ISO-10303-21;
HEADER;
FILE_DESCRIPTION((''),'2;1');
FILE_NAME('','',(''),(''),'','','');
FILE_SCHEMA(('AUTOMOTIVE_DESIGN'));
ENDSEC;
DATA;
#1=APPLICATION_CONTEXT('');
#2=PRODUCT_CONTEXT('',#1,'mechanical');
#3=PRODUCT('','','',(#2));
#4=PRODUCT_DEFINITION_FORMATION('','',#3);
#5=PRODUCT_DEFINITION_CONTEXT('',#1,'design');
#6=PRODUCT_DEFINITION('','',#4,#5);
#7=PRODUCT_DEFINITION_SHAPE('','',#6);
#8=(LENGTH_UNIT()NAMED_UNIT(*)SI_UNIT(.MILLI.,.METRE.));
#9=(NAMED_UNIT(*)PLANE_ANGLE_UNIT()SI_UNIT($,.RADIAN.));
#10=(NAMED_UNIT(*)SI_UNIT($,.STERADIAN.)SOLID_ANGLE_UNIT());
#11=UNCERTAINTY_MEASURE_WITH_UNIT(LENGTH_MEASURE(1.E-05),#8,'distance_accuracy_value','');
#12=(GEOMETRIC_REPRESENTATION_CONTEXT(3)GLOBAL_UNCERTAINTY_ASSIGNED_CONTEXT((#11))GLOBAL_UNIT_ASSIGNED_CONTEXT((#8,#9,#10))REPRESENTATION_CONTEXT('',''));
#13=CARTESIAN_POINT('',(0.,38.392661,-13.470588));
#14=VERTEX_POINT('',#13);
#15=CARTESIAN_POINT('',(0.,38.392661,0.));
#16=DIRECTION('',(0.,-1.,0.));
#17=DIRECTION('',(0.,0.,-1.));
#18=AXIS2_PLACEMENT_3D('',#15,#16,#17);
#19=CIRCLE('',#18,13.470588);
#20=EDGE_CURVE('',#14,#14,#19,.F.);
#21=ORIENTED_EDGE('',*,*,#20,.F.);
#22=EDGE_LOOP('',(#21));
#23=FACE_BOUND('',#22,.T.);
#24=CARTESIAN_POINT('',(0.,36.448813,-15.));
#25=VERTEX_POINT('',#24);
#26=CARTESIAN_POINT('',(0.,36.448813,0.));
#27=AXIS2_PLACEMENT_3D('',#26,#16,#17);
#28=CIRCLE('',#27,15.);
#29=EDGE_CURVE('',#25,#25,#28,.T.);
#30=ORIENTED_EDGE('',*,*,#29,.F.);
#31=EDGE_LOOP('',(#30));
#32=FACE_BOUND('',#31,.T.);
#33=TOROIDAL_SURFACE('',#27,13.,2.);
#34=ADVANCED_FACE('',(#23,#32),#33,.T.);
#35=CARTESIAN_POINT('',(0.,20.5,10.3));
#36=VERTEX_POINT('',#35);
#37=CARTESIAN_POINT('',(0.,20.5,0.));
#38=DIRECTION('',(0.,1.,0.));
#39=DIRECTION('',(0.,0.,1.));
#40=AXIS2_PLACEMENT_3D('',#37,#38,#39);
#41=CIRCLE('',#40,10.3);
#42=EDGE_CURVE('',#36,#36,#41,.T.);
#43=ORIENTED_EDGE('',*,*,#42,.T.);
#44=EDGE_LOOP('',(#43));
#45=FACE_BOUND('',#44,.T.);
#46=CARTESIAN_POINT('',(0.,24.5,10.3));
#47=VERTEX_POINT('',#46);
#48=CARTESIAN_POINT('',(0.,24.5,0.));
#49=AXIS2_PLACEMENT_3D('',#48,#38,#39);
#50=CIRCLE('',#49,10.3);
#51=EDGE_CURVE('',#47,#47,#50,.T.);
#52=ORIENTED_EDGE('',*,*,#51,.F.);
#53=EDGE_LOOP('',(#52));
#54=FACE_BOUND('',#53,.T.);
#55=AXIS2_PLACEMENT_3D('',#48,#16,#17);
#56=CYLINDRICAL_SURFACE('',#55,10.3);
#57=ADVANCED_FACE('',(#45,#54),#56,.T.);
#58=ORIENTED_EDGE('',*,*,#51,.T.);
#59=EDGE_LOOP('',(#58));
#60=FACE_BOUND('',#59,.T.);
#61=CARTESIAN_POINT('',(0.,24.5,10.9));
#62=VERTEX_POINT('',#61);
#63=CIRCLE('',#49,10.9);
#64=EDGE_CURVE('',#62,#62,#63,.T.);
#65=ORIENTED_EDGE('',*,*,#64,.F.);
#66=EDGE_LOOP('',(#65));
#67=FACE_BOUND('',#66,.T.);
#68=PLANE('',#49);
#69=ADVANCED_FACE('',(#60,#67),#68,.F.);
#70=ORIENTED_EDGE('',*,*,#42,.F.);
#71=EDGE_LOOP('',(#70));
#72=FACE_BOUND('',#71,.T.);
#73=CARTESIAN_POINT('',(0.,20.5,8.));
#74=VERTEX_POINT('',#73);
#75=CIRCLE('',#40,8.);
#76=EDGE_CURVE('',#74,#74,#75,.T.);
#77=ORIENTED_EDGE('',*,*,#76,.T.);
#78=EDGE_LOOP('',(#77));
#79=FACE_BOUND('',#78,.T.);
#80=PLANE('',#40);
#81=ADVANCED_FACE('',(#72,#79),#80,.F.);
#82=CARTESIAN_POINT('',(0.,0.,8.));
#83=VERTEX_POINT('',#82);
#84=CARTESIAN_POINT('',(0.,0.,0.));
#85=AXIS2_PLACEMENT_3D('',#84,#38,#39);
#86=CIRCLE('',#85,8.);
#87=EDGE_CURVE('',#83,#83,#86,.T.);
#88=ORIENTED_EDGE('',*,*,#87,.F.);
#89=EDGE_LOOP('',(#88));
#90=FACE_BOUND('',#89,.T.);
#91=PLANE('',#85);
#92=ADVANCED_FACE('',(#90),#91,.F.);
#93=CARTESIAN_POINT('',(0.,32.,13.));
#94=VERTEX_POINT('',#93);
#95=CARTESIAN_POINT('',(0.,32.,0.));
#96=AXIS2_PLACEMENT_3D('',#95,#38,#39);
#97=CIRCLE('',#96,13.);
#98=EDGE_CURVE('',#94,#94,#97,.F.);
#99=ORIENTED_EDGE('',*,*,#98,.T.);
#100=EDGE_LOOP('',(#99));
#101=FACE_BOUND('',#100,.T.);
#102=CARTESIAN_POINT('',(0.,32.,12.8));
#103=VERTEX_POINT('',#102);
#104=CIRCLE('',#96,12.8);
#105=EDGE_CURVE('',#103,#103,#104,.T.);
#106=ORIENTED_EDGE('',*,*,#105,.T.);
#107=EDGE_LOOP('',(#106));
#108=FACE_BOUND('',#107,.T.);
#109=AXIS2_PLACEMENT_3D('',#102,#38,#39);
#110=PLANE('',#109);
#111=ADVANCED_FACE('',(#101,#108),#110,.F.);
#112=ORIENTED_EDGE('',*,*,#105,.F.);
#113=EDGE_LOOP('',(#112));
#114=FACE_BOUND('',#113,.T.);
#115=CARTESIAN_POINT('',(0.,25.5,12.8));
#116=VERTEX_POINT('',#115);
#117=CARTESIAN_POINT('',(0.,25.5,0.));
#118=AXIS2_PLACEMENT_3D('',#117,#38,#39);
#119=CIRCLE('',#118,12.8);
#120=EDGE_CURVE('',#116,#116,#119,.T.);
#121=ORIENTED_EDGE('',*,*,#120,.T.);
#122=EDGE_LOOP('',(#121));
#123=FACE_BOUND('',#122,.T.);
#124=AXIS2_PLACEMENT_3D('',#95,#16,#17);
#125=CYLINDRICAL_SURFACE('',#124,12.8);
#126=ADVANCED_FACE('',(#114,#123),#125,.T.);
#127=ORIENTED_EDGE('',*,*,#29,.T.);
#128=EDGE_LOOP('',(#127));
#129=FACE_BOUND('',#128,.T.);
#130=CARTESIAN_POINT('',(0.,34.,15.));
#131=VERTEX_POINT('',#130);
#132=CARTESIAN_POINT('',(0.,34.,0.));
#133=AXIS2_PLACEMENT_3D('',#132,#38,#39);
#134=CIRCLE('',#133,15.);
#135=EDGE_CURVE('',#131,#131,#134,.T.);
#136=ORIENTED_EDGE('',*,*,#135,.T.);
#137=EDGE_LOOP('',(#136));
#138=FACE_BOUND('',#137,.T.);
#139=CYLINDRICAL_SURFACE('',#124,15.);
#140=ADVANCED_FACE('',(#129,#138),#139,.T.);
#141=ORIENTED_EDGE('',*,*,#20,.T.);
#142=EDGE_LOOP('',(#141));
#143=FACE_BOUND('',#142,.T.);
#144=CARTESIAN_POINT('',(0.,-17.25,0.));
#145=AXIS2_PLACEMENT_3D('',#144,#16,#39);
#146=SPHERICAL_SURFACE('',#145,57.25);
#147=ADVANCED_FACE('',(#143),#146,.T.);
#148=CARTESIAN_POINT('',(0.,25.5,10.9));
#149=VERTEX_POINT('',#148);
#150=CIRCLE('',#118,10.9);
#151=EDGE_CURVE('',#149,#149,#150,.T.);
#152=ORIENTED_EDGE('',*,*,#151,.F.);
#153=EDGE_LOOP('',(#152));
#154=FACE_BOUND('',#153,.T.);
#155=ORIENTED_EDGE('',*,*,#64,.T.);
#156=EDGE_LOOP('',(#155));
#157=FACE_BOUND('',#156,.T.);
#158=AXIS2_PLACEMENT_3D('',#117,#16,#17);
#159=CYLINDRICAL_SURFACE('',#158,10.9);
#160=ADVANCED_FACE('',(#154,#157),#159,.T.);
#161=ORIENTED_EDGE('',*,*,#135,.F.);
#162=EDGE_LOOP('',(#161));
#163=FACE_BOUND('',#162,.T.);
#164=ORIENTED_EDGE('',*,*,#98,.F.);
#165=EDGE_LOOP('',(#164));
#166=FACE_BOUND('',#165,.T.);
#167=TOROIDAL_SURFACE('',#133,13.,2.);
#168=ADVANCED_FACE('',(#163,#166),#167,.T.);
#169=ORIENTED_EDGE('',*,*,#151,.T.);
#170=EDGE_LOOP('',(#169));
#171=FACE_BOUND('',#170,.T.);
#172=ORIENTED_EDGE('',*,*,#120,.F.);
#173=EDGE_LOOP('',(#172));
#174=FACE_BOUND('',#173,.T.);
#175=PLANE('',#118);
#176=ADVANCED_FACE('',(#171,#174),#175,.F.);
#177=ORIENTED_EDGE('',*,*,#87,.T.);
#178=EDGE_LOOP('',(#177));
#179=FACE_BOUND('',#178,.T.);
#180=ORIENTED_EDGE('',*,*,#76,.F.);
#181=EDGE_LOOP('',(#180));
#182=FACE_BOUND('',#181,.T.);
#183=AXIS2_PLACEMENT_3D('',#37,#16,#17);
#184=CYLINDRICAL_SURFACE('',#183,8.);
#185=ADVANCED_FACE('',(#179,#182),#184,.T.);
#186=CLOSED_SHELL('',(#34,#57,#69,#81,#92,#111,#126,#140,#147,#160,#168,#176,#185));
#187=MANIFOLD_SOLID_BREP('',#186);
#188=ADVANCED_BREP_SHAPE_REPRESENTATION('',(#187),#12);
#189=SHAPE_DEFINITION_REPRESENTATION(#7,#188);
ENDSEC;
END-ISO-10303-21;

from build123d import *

# Parameters (mm, degrees)
SKETCH1_R           = 8
BOSS_EXTRUDE1_DEPTH = 20.5
SKETCH2_R           = 10.3
BOSS_EXTRUDE2_DEPTH = 4
SKETCH3_R           = 10.9
BOSS_EXTRUDE3_DEPTH = 1
SKETCH4_R           = 12.8
BOSS_EXTRUDE4_DEPTH = 6.5
FILLET1_R           = 2


with BuildPart() as part:
    # Sketch1 → Boss-Extrude1 (new body)
    with BuildSketch(Plane(origin=(0, 0, 0), x_dir=(1, 0, 0), z_dir=(0, 1, 0))):
        Circle(SKETCH1_R)
    extrude(amount=BOSS_EXTRUDE1_DEPTH)

    # Sketch2 → Boss-Extrude2 (add)
    with BuildSketch(Plane(origin=(0, 20.5, 0), x_dir=(1, 0, 0), z_dir=(0, 1, 0))):
        Circle(SKETCH2_R)
    extrude(amount=BOSS_EXTRUDE2_DEPTH)

    # Sketch3 → Boss-Extrude3 (add)
    with BuildSketch(Plane(origin=(0, 24.5, 0), x_dir=(1, 0, 0), z_dir=(0, 1, 0))):
        Circle(SKETCH3_R)
    extrude(amount=BOSS_EXTRUDE3_DEPTH)

    # Sketch4 → Boss-Extrude4 (add)
    with BuildSketch(Plane(origin=(0, 25.5, 0), x_dir=(1, 0, 0), z_dir=(0, 1, 0))):
        Circle(SKETCH4_R)
    extrude(amount=BOSS_EXTRUDE4_DEPTH)

    # Sketch5 → Revolve1 (revolve)
    with BuildSketch(Plane(origin=(0, 0, 0), x_dir=(0, 0, -1), z_dir=(1, 0, 0))):
        with BuildLine():
            Line((0, 32), (0, 40))
            ThreePointArc((0, 40), (-7.566372975, 39.497797314), (-15, 38))
            Line((-15, 38), (-15, 32))
            Line((-15, 32), (-12.8, 32))
            Line((-12.8, 32), (0, 32))
        make_face()
    revolve(axis=Axis((0, 32, 0), (0, 1, 0)))

    # Fillet1
    fillet1_edges = [part.edges().sort_by_distance(p)[0] for p in [
        (0, 38, -15),
        (0, 32, -15),
    ]]
    fillet(fillet1_edges, radius=FILLET1_R)


solid = part.part
